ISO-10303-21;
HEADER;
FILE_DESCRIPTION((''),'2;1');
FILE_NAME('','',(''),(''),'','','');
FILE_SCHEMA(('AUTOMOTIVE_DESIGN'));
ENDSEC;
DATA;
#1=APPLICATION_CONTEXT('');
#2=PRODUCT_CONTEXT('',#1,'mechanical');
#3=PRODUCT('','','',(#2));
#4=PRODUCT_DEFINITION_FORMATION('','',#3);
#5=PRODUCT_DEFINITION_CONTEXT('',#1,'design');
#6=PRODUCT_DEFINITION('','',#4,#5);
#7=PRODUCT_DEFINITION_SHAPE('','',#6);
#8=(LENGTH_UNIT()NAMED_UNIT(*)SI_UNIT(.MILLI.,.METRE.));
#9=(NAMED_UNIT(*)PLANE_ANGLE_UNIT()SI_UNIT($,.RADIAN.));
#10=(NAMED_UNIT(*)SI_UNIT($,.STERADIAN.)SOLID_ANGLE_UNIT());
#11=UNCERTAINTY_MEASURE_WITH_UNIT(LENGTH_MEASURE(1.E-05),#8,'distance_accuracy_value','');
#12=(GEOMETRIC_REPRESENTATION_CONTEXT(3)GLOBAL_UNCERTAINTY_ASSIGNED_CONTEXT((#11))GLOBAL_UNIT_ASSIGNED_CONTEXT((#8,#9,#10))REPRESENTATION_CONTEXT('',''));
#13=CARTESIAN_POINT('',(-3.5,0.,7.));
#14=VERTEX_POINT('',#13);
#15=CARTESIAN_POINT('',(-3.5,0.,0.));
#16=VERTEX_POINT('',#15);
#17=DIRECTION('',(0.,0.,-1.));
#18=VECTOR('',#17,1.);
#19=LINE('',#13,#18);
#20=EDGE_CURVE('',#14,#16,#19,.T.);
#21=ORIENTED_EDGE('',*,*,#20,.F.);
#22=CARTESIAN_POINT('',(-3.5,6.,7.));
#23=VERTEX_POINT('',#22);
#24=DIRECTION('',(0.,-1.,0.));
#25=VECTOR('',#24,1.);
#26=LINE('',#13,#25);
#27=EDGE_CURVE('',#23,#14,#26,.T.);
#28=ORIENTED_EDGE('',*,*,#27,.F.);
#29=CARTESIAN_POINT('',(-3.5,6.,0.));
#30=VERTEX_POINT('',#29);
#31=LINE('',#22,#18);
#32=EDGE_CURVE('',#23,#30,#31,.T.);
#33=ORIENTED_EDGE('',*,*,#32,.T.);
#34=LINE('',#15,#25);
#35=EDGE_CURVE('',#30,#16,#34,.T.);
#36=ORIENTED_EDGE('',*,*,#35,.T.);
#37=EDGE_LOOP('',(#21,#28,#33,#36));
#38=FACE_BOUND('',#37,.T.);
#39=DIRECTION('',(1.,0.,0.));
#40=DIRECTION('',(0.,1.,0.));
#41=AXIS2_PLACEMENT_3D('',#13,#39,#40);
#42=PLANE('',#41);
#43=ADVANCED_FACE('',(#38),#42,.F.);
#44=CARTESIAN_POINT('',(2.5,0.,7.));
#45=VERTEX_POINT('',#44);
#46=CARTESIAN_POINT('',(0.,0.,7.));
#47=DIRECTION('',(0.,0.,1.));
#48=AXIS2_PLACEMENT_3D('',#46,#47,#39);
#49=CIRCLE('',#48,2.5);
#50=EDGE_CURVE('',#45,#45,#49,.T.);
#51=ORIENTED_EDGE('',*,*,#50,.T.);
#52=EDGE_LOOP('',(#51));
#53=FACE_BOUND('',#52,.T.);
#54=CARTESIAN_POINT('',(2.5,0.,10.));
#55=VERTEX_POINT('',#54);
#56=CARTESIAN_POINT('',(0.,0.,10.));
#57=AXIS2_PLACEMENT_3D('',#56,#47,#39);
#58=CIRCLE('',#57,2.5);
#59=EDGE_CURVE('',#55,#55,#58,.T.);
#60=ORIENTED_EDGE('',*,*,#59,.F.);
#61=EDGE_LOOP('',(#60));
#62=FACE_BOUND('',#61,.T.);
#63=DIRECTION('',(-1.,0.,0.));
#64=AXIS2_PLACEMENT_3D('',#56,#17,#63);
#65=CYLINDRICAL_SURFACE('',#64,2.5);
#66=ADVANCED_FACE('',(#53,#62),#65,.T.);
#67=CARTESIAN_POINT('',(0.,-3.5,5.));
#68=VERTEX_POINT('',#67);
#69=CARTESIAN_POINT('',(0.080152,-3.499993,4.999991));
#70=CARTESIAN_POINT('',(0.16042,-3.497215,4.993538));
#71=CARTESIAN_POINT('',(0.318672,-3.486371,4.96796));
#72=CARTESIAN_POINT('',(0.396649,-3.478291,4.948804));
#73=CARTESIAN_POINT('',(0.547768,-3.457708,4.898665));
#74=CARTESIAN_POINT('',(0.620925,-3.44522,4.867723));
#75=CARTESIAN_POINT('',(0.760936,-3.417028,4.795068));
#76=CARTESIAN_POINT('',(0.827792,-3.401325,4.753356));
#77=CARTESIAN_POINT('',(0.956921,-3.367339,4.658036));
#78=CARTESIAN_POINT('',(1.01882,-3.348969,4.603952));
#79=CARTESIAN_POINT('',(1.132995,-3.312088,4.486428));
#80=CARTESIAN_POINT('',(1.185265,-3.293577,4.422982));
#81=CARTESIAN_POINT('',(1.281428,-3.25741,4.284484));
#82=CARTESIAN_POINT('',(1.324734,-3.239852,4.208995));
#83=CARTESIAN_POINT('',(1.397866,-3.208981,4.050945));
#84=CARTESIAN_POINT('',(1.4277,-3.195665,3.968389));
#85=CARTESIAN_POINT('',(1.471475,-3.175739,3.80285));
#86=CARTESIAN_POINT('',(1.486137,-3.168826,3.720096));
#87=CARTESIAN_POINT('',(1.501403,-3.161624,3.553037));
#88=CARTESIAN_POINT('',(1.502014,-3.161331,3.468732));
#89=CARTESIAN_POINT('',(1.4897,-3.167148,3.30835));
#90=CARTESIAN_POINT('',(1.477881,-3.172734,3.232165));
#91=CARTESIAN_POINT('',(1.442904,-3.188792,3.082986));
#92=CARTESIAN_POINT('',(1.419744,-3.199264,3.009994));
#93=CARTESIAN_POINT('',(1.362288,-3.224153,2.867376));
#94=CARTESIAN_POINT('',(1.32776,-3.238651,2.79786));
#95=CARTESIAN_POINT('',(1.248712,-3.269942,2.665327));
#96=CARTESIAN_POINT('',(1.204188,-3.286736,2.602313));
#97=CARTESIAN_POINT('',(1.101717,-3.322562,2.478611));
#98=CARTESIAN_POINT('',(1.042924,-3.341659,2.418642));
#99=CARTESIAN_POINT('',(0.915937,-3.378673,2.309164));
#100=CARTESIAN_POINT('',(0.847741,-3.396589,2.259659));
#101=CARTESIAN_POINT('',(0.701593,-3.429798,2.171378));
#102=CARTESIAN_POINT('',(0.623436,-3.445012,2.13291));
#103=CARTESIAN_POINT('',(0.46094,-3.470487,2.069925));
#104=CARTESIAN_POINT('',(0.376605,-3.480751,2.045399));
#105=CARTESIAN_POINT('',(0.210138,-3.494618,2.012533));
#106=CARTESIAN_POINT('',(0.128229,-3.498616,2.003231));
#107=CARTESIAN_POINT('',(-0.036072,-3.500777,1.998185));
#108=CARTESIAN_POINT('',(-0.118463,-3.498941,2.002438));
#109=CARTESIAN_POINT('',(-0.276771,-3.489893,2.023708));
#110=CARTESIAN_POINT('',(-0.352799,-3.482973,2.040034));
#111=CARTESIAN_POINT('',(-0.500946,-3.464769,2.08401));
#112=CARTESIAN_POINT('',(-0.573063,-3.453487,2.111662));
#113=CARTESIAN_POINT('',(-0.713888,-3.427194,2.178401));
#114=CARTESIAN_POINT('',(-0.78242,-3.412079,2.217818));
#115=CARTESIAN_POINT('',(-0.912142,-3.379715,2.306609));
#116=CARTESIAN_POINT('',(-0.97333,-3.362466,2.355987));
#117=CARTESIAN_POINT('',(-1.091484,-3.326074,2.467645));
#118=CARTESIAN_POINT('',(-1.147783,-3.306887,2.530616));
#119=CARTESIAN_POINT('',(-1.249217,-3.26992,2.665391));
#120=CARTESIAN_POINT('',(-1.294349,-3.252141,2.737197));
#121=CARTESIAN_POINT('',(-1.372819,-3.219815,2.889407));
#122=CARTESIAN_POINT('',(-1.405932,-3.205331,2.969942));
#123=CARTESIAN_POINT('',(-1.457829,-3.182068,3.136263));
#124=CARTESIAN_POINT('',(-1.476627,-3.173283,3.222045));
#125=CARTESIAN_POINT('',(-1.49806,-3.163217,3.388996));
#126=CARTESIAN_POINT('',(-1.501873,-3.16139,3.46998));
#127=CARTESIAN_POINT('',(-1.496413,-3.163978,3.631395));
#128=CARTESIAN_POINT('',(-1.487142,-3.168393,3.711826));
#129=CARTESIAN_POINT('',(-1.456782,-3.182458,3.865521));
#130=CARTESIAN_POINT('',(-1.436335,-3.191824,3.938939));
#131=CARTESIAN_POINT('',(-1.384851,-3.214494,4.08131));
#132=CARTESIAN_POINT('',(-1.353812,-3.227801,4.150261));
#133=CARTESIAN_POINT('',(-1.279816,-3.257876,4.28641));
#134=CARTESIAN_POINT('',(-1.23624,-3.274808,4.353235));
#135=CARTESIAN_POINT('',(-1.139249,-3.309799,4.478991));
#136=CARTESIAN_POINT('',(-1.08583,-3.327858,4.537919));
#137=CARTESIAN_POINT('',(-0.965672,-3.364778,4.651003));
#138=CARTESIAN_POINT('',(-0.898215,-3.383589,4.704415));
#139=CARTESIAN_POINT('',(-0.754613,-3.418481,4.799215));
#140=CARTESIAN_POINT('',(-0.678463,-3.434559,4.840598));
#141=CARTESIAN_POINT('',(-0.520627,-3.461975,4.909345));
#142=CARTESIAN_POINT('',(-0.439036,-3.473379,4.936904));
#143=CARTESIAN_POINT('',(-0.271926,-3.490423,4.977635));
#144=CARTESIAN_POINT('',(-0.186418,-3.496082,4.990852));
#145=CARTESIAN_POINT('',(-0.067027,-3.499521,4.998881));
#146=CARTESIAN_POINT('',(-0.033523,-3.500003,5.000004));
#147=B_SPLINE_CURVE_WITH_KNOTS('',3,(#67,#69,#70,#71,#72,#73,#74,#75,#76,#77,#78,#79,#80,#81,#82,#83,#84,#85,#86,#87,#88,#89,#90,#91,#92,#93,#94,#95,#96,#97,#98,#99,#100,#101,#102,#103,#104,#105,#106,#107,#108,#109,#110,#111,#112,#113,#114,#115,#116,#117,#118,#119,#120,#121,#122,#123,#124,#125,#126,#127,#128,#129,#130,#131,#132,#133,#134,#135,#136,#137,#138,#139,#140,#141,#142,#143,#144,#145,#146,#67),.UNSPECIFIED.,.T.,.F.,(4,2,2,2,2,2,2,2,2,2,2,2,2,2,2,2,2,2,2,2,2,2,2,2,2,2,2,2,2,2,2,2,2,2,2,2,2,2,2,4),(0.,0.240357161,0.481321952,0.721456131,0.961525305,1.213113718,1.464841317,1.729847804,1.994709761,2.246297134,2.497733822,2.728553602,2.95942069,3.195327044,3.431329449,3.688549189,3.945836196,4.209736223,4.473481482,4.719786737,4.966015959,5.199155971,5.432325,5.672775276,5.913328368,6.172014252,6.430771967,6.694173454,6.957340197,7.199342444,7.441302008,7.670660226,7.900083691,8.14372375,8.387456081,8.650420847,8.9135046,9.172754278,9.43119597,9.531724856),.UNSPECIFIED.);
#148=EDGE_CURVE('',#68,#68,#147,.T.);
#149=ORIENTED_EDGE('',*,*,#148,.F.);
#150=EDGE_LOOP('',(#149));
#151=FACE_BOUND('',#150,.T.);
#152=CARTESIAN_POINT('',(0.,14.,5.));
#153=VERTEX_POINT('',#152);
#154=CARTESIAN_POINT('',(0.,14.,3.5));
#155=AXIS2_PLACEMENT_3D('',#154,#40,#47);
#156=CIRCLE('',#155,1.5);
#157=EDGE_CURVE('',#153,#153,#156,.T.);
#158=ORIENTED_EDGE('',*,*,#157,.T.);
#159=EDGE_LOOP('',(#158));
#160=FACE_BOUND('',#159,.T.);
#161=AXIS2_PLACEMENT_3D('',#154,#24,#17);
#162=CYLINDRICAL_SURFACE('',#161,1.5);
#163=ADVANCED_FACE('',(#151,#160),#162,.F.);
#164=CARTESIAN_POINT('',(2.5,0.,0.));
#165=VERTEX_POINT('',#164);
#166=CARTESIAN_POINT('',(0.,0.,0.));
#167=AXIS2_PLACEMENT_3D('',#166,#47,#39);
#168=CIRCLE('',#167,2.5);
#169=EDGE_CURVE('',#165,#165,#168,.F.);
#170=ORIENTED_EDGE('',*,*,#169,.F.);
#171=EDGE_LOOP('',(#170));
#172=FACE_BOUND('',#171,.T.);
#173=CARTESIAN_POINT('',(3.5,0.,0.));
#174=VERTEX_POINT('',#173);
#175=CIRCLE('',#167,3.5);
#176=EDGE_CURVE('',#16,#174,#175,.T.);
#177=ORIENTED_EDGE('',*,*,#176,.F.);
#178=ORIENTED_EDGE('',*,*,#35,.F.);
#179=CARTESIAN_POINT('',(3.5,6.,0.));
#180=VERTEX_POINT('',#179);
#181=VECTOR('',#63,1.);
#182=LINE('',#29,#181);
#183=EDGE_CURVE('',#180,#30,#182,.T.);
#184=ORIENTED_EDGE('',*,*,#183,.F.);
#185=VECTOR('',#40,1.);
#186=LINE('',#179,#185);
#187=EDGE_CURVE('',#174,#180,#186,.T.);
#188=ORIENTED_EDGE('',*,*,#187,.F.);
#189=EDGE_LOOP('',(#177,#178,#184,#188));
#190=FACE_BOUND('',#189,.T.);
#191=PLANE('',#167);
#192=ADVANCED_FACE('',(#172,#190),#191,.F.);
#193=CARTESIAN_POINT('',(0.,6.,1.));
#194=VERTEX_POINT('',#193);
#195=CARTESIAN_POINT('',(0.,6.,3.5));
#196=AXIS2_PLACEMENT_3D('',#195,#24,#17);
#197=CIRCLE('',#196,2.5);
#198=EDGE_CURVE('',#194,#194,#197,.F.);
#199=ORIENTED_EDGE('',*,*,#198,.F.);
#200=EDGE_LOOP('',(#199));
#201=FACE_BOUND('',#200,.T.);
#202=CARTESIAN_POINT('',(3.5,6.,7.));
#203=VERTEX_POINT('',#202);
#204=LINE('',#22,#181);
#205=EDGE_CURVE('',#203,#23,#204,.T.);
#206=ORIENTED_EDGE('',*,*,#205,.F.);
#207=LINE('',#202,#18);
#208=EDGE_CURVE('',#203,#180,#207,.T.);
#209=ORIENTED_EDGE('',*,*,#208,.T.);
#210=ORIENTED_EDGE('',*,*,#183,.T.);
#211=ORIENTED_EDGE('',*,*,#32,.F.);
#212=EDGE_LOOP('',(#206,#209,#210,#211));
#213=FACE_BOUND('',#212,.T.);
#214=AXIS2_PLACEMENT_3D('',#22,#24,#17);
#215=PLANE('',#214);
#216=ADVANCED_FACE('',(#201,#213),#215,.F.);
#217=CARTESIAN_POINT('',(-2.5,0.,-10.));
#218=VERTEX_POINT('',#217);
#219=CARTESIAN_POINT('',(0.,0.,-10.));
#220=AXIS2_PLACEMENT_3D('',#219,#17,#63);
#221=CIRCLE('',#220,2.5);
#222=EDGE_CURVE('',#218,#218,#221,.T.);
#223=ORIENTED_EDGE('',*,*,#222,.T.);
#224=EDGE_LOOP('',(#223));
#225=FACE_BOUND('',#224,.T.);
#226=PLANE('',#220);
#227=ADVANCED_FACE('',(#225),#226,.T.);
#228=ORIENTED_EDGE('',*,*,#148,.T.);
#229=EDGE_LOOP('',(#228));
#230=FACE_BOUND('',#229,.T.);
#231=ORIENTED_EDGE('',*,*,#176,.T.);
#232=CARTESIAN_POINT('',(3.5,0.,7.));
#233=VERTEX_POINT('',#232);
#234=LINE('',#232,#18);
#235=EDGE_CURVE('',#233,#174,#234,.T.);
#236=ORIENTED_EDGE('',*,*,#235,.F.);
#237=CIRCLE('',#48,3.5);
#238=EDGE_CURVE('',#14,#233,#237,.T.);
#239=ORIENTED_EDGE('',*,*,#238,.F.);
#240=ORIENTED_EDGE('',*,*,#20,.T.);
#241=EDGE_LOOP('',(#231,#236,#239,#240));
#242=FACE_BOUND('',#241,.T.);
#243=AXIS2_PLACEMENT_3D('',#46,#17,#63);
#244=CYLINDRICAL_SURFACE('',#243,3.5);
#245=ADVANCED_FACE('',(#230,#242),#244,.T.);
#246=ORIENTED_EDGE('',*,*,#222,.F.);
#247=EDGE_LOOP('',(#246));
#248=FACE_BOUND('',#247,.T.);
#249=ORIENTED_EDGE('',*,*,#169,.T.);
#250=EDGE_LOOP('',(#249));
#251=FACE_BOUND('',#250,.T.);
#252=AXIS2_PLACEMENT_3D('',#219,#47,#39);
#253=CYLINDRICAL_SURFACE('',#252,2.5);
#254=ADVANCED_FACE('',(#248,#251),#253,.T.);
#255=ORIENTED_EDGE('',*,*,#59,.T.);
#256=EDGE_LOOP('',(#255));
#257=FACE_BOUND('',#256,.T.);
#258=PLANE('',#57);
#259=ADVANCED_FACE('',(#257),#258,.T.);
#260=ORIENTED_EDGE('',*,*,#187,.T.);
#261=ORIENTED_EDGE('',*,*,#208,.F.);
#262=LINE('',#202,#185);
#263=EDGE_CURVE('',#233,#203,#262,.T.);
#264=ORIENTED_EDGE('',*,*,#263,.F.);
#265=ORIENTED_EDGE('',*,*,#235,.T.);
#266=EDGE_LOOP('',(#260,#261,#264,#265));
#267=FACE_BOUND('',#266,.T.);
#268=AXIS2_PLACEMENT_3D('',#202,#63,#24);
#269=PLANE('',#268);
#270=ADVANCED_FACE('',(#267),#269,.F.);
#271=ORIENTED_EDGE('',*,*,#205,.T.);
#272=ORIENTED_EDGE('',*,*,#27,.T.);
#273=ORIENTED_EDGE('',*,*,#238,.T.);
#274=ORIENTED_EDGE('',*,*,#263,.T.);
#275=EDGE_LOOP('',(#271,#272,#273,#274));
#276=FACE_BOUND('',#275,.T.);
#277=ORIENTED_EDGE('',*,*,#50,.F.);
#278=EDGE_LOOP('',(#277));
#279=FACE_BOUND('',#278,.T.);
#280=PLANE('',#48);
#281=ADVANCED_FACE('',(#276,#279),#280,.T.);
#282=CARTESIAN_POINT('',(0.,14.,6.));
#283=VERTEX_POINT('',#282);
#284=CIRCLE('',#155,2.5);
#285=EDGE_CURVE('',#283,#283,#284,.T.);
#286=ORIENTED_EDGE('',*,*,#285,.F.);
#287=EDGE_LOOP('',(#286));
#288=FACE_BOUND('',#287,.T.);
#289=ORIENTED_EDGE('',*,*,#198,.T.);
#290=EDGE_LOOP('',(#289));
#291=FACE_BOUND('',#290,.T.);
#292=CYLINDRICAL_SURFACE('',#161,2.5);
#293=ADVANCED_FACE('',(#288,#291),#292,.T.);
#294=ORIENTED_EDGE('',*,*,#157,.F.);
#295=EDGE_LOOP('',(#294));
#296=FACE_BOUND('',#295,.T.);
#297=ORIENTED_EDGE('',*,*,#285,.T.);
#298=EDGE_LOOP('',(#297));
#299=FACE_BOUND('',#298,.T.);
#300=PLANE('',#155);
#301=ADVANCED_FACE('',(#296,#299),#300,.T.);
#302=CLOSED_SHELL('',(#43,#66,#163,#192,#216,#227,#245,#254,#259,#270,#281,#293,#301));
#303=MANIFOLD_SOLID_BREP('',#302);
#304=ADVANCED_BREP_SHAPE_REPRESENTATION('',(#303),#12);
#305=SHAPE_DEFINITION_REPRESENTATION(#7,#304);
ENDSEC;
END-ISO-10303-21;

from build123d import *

# Parameters (mm, degrees)
EXTRUDE_1_DEPTH     = 7
SKETCH_3_R          = 2.5
EXTRUDE_2_DEPTH     = 3
EXTRUDE_START       = 10
SKETCH_4_R          = 2.5
EXTRUDE_3_DEPTH     = 10
SKETCH_5_R          = 2.5
SKETCH_5_R_2        = 1.5
EXTRUDE_5_DEPTH     = 8
SKETCH_6_R          = 1.5
CUT_EXTRUDE_6_DEPTH = 15.230249471


with BuildPart() as part:
    # 草圖1 → 伸長1 (new body)
    with BuildSketch(Plane.XY):
        with BuildLine():
            Line((-3.5, 0), (-3.5, 6))
            Line((-3.5, 6), (3.5, 6))
            Line((3.5, 6), (3.5, 0))
            ThreePointArc((3.5, 0), (0, -3.5), (-3.5, 0))
        make_face()
    extrude(amount=EXTRUDE_1_DEPTH)

    # 草圖3 → 伸長2 (add)
    with BuildSketch(Plane.XY.offset(7)):
        Circle(SKETCH_3_R)
    extrude(amount=EXTRUDE_2_DEPTH)

    # 草圖4 → 伸長3 (add)
    with BuildSketch(Plane(origin=(0, 0, 0), x_dir=(-1, 0, 0), z_dir=(0, 0, -1)).offset(EXTRUDE_START)):
        with Locations(Location((0, 0, 0), (0, 0, 180))):
            Circle(SKETCH_4_R)
    extrude(amount=-EXTRUDE_3_DEPTH)

    # 草圖5 → 伸長5 (add)
    with BuildSketch(Plane(origin=(0, 6, 0), x_dir=(1, 0, 0), z_dir=(0, 1, 0))):
        with Locations(Location((0, -3.5, 0), (0, 0, 90))):
            Circle(SKETCH_5_R)
        with Locations(Location((0, -3.5, 0), (0, 0, 270))):
            Circle(SKETCH_5_R_2, mode=Mode.SUBTRACT)
    extrude(amount=EXTRUDE_5_DEPTH)

    # 草圖6 → 伸長6 (cut, through all)
    with BuildSketch(Plane(origin=(0, 6, 0), x_dir=(1, 0, 0), z_dir=(0, 1, 0))):
        with Locations(Location((0, -3.5, 0), (0, 0, 270))):
            Circle(SKETCH_6_R)
    extrude(amount=-CUT_EXTRUDE_6_DEPTH, mode=Mode.SUBTRACT)


solid = part.part
